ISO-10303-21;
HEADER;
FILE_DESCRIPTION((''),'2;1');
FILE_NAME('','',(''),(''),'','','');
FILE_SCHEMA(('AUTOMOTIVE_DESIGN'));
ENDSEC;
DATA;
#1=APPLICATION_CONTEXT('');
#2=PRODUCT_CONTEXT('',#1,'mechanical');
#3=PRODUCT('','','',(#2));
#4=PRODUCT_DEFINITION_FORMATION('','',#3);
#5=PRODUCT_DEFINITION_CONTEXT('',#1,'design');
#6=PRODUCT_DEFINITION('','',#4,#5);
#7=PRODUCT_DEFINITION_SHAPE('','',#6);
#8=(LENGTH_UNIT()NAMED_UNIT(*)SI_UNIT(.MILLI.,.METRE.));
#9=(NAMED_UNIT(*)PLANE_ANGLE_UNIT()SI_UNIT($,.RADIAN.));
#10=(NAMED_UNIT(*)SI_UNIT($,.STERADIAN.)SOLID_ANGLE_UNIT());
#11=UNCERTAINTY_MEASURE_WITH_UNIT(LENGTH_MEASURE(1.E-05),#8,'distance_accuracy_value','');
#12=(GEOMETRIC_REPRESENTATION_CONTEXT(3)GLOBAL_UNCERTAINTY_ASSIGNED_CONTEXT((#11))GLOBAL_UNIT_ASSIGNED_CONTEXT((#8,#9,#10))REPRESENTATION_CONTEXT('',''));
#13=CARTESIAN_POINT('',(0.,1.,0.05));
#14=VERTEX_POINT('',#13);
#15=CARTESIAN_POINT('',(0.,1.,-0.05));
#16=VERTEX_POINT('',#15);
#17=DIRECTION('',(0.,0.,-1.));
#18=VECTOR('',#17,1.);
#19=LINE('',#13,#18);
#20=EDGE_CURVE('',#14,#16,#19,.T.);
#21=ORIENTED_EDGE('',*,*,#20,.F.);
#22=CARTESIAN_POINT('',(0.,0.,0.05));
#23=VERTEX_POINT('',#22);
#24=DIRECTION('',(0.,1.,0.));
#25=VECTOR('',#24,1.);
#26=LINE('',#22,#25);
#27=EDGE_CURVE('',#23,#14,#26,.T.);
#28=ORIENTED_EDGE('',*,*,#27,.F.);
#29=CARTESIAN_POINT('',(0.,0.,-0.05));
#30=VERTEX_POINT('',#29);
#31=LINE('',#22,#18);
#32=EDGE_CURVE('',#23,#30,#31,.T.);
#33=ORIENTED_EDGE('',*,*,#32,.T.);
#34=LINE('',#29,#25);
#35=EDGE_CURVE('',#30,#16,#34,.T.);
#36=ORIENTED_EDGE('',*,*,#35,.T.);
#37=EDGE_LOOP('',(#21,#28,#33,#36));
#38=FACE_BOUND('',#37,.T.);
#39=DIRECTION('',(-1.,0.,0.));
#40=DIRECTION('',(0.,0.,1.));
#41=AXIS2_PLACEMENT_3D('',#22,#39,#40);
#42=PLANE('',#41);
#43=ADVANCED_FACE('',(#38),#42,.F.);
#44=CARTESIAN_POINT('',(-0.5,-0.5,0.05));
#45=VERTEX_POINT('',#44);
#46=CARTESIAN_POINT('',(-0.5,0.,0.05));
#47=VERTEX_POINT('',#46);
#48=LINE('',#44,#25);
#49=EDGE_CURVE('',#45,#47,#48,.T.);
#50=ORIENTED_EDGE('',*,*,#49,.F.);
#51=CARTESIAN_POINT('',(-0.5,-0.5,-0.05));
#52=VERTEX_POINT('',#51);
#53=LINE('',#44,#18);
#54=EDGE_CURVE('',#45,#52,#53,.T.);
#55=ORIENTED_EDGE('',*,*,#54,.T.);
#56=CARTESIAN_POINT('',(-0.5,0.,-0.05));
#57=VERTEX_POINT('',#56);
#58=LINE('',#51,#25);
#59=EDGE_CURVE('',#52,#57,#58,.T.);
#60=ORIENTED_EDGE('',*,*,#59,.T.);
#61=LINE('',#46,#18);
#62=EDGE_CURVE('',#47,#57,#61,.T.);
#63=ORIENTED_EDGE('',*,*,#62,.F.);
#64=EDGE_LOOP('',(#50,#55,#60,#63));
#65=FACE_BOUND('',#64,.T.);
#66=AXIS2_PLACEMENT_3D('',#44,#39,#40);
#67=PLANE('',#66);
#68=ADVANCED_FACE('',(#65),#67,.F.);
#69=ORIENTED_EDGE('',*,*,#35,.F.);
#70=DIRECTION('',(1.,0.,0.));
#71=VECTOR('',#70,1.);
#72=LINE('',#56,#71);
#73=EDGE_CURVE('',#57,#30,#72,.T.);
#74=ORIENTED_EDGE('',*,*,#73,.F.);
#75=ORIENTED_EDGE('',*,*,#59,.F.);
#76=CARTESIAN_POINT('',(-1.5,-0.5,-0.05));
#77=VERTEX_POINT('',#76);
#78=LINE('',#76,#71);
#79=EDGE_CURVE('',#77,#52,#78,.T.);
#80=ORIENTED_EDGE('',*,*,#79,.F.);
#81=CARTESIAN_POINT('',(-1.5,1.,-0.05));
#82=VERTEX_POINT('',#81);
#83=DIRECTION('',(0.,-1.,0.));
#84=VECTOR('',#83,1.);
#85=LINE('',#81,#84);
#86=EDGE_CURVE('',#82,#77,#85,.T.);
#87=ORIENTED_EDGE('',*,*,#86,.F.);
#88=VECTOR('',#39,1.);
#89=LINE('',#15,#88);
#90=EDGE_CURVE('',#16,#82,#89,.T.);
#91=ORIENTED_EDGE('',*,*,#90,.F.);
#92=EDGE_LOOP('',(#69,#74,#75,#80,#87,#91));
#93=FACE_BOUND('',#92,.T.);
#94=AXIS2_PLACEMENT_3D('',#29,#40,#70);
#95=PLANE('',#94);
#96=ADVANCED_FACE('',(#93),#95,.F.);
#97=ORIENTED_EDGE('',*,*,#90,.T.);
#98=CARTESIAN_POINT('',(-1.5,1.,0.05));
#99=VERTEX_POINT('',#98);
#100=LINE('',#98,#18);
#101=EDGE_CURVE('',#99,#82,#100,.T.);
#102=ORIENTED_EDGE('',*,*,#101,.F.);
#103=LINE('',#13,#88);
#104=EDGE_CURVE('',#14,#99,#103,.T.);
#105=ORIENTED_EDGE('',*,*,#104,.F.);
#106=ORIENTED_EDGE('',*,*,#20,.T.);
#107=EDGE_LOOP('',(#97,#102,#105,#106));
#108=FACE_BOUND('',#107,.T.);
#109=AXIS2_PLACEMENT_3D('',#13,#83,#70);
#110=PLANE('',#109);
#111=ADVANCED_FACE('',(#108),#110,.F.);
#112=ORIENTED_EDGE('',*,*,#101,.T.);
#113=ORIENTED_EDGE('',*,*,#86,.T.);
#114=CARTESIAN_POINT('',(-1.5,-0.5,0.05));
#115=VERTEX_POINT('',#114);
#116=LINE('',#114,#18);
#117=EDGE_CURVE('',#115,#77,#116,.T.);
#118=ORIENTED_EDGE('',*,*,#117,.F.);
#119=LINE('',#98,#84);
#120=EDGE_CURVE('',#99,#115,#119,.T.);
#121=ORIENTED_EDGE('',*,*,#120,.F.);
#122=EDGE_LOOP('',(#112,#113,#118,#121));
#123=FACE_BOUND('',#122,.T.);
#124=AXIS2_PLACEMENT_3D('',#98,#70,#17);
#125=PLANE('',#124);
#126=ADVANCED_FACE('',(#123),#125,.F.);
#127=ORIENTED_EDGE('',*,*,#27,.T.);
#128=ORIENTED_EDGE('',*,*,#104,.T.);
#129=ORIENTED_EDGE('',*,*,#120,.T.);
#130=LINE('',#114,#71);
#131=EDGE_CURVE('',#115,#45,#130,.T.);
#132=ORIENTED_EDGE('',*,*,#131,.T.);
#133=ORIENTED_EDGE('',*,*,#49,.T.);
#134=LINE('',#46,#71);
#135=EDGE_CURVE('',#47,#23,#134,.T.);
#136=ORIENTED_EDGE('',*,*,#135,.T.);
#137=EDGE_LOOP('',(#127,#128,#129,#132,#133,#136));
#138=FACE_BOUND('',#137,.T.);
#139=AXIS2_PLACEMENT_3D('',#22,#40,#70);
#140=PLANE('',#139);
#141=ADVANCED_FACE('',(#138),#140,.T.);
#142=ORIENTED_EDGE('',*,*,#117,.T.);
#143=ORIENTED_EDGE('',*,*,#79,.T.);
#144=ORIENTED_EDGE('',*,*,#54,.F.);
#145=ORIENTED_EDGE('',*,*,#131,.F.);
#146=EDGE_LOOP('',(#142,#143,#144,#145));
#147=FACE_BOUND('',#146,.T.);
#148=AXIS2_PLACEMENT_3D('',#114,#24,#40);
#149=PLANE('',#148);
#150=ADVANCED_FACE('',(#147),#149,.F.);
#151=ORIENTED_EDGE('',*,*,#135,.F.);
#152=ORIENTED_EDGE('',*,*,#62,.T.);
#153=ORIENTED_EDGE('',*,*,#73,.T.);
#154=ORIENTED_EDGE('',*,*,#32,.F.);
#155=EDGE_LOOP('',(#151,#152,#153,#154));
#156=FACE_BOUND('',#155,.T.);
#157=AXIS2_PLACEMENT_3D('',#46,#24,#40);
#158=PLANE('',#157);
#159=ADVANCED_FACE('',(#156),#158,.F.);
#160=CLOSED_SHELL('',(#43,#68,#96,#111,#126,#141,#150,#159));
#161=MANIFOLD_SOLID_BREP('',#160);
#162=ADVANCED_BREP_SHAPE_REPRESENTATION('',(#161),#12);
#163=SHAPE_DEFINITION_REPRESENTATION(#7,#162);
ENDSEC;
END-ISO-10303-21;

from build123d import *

# Parameters (mm, degrees)
BOSS_EXTRUDE1_DEPTH = 0.05


with BuildPart() as part:
    # Sketch1 → Boss-Extrude1 (new, symmetric)
    with BuildSketch(Plane.XY):
        Polygon((0, 0), (0, 1), (-1.5, 1), (-1.5, -0.5), (-0.5, -0.5), (-0.5, 0), align=None)
    extrude(amount=BOSS_EXTRUDE1_DEPTH, both=True)


solid = part.part
